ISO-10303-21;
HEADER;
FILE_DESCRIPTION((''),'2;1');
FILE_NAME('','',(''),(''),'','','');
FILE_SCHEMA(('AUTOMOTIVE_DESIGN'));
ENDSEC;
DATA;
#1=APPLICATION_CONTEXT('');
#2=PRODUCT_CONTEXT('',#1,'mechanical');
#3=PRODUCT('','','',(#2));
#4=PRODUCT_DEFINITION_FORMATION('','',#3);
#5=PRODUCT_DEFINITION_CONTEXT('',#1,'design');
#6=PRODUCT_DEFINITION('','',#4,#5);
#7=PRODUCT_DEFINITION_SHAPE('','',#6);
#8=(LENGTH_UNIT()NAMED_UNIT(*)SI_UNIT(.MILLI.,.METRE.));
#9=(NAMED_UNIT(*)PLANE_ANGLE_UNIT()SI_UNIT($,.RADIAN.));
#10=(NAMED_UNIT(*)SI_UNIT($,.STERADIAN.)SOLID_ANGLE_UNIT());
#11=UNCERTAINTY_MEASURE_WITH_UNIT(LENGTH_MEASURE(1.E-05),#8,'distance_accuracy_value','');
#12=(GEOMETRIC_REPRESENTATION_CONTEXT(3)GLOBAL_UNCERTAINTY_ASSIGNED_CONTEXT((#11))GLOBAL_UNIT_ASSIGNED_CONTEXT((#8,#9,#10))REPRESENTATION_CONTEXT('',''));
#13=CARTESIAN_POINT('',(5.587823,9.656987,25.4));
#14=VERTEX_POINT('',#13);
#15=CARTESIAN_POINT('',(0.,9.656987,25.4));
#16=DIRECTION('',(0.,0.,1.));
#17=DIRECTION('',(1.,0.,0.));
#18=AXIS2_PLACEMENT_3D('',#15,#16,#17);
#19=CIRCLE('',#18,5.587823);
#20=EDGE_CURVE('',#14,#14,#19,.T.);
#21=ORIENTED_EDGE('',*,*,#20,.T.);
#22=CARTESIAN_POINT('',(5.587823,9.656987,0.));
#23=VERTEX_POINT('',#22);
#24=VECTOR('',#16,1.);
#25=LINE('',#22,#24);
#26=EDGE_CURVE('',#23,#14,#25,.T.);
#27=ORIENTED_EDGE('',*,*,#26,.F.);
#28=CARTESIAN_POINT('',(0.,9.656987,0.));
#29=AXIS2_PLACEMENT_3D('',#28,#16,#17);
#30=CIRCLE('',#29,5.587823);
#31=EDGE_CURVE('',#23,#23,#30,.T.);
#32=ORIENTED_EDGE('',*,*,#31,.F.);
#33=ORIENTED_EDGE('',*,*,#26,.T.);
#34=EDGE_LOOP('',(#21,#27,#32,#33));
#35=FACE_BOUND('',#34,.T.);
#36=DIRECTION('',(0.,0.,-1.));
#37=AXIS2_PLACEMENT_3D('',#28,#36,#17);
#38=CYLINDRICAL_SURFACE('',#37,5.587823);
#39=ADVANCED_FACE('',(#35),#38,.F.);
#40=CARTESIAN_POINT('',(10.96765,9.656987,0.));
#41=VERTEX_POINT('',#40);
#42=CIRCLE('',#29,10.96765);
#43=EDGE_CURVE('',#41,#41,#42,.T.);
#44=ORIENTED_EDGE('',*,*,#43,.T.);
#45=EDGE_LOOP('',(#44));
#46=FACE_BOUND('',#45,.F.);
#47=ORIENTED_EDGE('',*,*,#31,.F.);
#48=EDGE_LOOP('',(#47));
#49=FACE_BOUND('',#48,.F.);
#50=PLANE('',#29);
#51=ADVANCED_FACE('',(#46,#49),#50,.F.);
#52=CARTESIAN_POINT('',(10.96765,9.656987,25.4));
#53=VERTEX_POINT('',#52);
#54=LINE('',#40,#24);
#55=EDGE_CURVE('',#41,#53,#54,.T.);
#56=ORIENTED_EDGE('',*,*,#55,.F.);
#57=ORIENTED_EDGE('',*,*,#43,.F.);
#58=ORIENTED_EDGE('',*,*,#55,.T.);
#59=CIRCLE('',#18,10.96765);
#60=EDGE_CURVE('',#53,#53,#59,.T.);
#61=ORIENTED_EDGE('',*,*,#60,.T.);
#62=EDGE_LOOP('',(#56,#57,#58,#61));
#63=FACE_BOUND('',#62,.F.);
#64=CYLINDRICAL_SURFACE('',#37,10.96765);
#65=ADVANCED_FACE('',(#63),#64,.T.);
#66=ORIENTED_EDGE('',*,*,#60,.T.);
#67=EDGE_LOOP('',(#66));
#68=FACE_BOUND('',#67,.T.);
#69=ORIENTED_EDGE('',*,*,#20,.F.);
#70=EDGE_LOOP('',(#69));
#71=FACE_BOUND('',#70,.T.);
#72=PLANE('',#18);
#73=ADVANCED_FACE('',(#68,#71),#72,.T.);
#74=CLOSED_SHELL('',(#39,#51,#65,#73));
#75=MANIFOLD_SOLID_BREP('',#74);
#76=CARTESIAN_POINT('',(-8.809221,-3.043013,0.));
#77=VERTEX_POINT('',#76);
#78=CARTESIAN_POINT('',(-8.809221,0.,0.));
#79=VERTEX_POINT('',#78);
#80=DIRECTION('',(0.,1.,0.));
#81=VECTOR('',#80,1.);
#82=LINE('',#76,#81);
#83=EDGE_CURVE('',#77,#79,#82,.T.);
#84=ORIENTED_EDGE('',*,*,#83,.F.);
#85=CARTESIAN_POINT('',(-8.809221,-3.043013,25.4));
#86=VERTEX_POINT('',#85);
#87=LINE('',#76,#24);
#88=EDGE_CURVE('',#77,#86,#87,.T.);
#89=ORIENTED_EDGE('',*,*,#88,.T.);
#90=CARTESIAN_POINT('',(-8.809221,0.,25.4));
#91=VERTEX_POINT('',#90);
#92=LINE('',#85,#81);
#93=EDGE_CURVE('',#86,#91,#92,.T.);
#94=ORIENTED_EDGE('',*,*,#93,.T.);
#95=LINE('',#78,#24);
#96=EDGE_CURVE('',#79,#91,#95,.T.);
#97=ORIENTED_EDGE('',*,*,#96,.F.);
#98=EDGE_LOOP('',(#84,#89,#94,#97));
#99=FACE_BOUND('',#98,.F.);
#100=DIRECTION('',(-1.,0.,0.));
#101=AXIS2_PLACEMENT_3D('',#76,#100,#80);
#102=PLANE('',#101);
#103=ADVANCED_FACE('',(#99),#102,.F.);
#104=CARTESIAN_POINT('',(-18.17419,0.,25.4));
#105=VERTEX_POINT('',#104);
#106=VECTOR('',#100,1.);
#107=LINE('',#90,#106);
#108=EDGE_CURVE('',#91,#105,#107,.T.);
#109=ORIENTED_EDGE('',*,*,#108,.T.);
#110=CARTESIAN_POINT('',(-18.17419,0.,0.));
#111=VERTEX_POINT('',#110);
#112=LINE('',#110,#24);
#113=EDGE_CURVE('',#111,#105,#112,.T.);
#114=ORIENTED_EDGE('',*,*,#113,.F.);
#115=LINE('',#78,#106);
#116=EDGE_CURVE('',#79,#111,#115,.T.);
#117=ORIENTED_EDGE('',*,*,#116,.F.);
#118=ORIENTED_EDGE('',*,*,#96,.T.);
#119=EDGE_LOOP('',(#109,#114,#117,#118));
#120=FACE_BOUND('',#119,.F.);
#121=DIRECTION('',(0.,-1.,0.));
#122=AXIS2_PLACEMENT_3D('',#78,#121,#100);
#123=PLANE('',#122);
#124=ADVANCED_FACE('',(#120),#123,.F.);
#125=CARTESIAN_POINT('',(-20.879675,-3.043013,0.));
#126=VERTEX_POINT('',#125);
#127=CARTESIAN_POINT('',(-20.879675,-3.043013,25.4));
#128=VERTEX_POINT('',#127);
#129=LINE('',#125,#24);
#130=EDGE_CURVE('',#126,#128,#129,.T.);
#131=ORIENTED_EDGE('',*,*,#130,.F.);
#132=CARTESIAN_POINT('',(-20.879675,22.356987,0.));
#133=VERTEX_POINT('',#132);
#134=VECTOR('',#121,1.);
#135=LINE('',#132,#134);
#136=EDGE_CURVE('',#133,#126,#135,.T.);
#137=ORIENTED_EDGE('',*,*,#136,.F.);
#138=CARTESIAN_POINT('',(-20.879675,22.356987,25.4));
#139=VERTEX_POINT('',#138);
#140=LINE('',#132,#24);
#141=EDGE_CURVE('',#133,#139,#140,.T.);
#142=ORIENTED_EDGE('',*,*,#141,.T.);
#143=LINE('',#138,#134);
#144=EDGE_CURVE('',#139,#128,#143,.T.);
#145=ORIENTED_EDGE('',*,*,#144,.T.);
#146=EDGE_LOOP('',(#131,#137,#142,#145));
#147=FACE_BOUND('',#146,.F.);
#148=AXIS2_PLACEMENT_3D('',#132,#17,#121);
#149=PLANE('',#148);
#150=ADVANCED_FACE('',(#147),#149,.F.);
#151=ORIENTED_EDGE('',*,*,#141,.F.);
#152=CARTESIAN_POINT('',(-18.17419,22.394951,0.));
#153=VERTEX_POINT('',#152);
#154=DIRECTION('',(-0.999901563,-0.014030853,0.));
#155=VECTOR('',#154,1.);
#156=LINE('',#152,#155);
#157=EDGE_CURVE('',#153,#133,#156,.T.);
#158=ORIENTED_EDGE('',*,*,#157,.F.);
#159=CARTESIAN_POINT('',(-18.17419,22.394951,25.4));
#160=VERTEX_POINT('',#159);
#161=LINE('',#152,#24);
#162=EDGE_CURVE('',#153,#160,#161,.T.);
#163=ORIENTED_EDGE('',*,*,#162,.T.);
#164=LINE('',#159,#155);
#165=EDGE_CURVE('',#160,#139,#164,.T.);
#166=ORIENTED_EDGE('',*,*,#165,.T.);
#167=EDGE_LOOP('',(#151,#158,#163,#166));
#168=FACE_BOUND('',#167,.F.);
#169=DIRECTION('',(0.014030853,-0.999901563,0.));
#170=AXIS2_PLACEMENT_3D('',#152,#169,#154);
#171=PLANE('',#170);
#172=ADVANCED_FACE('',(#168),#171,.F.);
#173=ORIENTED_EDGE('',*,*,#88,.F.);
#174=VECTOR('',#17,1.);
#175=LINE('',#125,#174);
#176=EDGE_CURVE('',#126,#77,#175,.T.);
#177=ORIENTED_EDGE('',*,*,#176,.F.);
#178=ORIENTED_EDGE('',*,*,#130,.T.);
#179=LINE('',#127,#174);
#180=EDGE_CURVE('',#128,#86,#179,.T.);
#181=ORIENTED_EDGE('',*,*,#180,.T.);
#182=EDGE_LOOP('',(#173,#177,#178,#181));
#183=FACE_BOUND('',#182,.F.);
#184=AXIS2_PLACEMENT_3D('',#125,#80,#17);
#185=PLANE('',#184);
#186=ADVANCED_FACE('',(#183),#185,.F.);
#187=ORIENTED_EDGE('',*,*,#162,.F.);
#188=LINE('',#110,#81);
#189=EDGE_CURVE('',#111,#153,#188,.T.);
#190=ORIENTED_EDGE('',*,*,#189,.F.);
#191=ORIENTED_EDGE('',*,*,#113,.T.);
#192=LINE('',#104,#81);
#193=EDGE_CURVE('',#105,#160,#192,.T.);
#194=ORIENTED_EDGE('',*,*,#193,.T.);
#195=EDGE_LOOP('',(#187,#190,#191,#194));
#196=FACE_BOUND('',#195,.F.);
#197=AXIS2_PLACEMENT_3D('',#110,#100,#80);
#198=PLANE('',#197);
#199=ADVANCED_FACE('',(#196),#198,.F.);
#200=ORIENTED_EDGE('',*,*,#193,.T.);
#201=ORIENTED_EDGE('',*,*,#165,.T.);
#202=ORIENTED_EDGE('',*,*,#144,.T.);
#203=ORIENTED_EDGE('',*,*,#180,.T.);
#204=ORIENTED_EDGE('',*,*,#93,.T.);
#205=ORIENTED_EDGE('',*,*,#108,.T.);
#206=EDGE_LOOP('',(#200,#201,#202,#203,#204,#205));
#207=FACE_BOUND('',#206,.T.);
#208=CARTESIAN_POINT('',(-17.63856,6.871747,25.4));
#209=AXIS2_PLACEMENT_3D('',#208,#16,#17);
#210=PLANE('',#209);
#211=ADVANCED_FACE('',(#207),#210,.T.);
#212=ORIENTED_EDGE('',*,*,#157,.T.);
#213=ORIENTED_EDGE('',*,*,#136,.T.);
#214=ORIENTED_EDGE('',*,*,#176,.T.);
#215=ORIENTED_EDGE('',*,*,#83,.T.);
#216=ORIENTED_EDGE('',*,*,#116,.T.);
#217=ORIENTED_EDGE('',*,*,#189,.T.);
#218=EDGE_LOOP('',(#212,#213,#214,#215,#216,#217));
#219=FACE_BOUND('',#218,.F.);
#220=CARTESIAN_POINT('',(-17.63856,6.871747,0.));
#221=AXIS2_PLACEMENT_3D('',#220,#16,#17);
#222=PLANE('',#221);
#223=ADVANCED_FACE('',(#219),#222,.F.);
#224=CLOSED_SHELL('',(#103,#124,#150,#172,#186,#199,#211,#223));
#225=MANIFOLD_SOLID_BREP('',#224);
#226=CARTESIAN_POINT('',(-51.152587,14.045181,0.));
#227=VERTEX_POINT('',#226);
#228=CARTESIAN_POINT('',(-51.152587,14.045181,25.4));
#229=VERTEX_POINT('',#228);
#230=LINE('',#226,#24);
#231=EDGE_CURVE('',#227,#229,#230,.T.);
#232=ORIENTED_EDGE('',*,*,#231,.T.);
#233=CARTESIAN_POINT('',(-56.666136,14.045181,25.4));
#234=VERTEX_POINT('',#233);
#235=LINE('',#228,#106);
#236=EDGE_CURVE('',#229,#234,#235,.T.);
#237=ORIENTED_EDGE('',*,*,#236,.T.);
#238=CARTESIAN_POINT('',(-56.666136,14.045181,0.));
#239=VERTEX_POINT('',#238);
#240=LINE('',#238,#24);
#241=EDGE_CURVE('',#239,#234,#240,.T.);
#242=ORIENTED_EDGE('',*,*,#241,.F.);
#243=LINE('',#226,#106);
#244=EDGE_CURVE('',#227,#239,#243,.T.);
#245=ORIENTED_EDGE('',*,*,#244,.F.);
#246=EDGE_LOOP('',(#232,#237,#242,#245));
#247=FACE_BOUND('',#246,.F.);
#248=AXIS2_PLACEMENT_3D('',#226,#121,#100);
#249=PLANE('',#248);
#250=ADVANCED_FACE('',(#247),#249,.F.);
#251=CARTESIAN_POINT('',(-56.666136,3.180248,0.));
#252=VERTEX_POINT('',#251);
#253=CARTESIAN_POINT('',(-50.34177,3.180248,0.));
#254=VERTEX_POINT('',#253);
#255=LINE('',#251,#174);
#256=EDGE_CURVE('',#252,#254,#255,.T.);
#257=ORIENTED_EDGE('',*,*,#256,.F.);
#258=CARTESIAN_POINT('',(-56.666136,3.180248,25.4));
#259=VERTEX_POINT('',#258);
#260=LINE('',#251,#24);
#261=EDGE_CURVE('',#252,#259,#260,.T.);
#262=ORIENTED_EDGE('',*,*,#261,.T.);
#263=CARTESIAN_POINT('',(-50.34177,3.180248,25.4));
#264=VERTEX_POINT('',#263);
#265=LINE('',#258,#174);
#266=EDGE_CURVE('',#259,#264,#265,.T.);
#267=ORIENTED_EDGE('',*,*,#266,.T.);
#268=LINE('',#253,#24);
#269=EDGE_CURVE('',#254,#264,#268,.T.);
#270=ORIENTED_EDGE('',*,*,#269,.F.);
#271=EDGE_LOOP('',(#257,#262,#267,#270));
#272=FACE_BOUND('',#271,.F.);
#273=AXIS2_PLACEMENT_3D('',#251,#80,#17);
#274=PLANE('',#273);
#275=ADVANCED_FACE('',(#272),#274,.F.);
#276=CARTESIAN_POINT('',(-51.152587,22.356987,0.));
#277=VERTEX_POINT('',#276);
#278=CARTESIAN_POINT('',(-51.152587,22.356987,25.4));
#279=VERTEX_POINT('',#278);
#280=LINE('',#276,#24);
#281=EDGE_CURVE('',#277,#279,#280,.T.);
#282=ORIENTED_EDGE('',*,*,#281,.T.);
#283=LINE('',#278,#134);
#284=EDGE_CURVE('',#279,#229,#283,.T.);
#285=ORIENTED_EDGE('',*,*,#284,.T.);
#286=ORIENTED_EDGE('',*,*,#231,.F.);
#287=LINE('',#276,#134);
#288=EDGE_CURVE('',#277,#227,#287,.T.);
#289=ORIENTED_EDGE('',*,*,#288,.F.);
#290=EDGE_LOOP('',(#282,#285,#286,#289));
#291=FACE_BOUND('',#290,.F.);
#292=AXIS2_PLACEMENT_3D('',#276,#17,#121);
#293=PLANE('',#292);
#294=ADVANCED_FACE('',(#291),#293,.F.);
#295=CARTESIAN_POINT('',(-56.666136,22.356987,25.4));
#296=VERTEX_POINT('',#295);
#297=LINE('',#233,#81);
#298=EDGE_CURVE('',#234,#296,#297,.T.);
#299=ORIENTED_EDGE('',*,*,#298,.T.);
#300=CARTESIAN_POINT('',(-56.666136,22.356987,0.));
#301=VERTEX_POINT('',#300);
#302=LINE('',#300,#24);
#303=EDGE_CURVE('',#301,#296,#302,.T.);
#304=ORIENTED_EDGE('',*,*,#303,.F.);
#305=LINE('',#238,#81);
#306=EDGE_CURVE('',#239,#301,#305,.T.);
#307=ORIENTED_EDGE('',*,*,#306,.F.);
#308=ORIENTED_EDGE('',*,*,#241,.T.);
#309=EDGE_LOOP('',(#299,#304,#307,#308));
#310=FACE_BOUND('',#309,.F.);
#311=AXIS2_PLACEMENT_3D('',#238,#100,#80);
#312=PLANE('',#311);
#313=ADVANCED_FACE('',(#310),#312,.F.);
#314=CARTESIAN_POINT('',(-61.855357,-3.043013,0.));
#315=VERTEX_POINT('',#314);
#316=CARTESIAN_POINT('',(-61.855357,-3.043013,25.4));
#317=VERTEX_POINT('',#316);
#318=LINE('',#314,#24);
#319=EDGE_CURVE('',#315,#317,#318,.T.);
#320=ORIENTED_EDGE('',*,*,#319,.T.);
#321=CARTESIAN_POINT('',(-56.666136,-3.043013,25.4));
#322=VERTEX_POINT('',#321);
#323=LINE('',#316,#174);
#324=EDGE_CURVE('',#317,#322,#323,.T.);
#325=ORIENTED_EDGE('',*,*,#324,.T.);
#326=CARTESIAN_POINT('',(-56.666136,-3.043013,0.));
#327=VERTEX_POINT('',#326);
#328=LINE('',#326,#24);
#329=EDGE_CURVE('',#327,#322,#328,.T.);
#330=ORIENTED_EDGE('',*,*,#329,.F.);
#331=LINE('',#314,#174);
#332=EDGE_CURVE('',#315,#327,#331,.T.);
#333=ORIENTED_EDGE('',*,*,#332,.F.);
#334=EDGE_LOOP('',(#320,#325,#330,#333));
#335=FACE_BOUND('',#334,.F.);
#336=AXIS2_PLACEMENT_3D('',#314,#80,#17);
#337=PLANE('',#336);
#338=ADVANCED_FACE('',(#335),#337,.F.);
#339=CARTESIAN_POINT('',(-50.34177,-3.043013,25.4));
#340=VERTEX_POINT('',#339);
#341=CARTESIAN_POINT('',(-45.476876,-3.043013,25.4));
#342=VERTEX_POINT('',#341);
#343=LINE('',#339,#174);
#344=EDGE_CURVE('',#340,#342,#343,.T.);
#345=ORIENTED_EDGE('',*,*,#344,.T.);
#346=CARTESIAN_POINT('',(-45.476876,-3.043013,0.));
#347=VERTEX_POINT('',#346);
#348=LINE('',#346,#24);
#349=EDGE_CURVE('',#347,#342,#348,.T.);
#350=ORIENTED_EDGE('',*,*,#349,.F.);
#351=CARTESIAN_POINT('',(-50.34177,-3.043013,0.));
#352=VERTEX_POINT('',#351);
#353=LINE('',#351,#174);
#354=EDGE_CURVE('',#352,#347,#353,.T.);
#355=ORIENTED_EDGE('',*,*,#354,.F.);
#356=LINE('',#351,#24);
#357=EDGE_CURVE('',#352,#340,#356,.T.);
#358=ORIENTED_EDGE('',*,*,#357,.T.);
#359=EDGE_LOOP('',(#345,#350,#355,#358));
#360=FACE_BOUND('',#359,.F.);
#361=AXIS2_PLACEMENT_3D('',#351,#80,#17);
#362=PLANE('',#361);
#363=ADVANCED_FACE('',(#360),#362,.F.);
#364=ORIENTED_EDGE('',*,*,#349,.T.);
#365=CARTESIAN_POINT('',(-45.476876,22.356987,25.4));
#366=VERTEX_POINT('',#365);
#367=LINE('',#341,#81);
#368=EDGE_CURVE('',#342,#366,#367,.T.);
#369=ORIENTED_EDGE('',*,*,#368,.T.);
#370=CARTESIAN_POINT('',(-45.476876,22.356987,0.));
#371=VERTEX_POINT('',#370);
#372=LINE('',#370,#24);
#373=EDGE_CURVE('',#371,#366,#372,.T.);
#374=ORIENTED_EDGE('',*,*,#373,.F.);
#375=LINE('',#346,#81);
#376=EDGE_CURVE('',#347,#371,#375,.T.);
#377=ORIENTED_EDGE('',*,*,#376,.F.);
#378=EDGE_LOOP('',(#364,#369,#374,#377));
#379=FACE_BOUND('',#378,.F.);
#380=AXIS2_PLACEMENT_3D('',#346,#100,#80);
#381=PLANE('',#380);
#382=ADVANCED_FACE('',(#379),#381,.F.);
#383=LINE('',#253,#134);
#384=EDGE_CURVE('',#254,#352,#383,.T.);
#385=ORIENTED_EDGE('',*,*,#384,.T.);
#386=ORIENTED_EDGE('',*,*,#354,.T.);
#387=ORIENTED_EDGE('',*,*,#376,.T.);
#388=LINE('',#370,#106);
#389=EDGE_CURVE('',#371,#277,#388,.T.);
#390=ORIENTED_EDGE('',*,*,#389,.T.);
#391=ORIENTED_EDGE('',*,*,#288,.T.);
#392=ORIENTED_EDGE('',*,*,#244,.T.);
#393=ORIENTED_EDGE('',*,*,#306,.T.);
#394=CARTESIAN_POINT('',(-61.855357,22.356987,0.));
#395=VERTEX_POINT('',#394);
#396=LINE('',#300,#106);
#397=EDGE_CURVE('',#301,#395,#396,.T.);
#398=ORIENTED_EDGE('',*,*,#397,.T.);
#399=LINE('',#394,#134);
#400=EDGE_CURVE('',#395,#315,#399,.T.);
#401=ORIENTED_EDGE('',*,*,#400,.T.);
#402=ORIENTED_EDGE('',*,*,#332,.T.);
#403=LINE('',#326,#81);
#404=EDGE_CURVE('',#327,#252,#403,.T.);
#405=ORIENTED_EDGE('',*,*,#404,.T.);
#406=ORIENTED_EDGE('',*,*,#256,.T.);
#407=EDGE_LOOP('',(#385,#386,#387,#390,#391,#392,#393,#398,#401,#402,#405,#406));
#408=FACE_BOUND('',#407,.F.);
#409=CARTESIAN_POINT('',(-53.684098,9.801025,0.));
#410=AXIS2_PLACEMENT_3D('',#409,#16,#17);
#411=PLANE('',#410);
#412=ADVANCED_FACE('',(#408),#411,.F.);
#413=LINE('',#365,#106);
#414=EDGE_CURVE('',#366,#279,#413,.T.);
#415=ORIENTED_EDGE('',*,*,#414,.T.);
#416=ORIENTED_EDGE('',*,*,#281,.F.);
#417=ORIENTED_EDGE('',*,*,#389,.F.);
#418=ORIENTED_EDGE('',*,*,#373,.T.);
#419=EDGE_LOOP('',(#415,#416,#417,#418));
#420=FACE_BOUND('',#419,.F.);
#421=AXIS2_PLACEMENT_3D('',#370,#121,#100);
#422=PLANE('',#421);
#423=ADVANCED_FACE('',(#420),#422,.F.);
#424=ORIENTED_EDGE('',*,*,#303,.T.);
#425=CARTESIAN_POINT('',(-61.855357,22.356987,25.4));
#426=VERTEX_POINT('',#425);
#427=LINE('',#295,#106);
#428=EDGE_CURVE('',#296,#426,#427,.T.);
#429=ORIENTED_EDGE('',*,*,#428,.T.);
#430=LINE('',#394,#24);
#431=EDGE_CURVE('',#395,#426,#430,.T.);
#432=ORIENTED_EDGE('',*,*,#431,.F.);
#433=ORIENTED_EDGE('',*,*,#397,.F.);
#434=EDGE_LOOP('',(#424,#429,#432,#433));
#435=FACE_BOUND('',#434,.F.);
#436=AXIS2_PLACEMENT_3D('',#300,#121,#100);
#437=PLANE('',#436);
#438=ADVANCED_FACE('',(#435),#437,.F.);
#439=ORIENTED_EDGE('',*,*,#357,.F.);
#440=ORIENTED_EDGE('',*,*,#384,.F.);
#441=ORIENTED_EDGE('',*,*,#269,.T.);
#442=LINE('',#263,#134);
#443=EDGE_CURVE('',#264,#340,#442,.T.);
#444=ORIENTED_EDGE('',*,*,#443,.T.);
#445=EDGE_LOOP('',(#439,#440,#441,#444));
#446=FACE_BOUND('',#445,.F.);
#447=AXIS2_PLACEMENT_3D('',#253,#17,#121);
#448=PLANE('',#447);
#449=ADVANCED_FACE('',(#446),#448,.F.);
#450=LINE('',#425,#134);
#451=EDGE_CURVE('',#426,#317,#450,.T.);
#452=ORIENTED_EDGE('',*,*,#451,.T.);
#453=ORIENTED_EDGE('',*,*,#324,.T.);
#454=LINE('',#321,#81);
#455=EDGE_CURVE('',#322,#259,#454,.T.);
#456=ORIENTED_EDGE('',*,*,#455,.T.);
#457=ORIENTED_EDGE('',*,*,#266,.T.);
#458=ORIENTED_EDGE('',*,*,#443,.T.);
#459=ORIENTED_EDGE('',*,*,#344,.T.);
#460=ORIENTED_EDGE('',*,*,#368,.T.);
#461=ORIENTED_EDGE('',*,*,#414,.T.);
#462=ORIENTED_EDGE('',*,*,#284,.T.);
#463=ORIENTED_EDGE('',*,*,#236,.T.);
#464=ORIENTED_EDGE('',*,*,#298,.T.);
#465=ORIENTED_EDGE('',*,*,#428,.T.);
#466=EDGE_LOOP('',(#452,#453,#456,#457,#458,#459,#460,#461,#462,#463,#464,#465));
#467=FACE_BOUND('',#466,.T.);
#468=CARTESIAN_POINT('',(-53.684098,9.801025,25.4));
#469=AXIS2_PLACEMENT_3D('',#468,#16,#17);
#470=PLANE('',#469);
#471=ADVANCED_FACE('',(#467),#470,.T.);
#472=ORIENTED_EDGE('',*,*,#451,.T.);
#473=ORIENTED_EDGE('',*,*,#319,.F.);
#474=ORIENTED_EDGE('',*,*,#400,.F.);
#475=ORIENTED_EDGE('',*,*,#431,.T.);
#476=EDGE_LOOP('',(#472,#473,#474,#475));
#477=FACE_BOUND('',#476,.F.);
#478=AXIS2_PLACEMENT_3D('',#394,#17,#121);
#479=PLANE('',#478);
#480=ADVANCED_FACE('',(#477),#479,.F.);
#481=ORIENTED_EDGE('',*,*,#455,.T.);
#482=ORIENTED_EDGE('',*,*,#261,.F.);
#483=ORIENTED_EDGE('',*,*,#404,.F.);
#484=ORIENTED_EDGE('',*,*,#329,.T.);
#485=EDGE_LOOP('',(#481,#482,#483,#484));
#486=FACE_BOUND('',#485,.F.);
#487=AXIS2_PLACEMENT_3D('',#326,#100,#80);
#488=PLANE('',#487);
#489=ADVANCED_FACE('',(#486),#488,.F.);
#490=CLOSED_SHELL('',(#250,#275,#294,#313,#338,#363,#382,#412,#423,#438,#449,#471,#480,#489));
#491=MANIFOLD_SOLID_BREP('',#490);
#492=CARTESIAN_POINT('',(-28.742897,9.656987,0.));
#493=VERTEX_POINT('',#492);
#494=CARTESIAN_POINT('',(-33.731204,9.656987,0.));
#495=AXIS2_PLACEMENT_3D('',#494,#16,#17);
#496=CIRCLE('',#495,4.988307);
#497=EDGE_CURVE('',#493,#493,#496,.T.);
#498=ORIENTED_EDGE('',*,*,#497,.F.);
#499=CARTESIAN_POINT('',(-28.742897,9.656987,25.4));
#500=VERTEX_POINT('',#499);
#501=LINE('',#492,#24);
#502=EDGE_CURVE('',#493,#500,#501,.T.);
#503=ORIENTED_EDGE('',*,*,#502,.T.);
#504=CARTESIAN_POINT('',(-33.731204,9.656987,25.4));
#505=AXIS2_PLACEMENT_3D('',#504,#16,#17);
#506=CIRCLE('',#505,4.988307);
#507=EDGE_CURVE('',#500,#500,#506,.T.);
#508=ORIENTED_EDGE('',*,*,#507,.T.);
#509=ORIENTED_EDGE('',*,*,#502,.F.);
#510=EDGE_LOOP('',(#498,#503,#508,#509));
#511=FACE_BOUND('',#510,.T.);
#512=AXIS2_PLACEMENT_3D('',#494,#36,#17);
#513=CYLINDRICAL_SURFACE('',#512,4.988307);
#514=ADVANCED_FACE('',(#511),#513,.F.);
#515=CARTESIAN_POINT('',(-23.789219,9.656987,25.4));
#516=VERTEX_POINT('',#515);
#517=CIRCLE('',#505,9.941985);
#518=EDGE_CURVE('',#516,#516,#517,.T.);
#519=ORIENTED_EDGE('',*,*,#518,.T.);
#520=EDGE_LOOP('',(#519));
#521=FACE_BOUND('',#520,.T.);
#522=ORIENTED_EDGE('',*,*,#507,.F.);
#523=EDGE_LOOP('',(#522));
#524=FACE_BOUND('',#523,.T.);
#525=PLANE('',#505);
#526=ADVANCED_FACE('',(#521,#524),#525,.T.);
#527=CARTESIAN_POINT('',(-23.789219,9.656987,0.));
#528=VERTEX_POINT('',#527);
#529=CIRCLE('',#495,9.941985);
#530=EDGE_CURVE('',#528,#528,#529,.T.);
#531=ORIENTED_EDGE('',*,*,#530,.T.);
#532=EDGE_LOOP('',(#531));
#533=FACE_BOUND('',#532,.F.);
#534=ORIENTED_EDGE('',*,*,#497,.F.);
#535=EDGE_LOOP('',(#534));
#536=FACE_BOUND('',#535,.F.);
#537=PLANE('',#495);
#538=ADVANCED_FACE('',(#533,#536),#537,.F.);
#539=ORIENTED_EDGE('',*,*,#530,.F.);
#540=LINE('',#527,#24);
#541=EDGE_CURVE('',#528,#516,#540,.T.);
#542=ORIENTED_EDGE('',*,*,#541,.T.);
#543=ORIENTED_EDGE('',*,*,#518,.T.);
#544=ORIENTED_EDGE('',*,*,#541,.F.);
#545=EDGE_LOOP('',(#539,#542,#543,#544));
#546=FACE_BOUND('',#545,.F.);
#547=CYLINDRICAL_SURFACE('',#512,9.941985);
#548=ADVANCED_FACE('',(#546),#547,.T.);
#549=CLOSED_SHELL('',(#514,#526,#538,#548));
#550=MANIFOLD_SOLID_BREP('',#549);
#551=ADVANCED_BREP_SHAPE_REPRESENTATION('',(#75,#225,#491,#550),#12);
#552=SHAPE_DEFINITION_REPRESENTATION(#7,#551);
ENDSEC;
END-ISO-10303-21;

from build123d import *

# Parameters (mm, degrees)
F0_R     = 9.941985
F0_R_2   = 4.988307
F0_R_3   = 10.96765
F0_R_4   = 5.587823
F1_DEPTH = 25.4


with BuildPart() as f1:
    # F0 (on Top) → F1 (new body)
    with BuildSketch(Plane.XY):
        with Locations((-33.731204, 9.656987)):
            Circle(F0_R)
        with Locations((-33.731204, 9.656987)):
            Circle(F0_R_2, mode=Mode.SUBTRACT)
        Polygon((-45.476876, -3.043013), (-45.476876, 22.356987), (-51.152587, 22.356987), (-51.152587, 14.045181), (-56.666136, 14.045181), (-56.666136, 22.356987), (-61.855357, 22.356987), (-61.855357, -3.043013), (-56.666136, -3.043013), (-56.666136, 3.180248), (-50.34177, 3.180248), (-50.34177, -3.043013), align=None)
        Polygon((-18.17419, 22.394951), (-20.879675, 22.356987), (-20.879675, -3.043013), (-8.809221, -3.043013), (-8.809221, 0), (-18.17419, 0), align=None)
        with Locations((0, 9.656987)):
            Circle(F0_R_3)
        with Locations((0, 9.656987)):
            Circle(F0_R_4, mode=Mode.SUBTRACT)
    extrude(amount=F1_DEPTH)


solid = f1.part
